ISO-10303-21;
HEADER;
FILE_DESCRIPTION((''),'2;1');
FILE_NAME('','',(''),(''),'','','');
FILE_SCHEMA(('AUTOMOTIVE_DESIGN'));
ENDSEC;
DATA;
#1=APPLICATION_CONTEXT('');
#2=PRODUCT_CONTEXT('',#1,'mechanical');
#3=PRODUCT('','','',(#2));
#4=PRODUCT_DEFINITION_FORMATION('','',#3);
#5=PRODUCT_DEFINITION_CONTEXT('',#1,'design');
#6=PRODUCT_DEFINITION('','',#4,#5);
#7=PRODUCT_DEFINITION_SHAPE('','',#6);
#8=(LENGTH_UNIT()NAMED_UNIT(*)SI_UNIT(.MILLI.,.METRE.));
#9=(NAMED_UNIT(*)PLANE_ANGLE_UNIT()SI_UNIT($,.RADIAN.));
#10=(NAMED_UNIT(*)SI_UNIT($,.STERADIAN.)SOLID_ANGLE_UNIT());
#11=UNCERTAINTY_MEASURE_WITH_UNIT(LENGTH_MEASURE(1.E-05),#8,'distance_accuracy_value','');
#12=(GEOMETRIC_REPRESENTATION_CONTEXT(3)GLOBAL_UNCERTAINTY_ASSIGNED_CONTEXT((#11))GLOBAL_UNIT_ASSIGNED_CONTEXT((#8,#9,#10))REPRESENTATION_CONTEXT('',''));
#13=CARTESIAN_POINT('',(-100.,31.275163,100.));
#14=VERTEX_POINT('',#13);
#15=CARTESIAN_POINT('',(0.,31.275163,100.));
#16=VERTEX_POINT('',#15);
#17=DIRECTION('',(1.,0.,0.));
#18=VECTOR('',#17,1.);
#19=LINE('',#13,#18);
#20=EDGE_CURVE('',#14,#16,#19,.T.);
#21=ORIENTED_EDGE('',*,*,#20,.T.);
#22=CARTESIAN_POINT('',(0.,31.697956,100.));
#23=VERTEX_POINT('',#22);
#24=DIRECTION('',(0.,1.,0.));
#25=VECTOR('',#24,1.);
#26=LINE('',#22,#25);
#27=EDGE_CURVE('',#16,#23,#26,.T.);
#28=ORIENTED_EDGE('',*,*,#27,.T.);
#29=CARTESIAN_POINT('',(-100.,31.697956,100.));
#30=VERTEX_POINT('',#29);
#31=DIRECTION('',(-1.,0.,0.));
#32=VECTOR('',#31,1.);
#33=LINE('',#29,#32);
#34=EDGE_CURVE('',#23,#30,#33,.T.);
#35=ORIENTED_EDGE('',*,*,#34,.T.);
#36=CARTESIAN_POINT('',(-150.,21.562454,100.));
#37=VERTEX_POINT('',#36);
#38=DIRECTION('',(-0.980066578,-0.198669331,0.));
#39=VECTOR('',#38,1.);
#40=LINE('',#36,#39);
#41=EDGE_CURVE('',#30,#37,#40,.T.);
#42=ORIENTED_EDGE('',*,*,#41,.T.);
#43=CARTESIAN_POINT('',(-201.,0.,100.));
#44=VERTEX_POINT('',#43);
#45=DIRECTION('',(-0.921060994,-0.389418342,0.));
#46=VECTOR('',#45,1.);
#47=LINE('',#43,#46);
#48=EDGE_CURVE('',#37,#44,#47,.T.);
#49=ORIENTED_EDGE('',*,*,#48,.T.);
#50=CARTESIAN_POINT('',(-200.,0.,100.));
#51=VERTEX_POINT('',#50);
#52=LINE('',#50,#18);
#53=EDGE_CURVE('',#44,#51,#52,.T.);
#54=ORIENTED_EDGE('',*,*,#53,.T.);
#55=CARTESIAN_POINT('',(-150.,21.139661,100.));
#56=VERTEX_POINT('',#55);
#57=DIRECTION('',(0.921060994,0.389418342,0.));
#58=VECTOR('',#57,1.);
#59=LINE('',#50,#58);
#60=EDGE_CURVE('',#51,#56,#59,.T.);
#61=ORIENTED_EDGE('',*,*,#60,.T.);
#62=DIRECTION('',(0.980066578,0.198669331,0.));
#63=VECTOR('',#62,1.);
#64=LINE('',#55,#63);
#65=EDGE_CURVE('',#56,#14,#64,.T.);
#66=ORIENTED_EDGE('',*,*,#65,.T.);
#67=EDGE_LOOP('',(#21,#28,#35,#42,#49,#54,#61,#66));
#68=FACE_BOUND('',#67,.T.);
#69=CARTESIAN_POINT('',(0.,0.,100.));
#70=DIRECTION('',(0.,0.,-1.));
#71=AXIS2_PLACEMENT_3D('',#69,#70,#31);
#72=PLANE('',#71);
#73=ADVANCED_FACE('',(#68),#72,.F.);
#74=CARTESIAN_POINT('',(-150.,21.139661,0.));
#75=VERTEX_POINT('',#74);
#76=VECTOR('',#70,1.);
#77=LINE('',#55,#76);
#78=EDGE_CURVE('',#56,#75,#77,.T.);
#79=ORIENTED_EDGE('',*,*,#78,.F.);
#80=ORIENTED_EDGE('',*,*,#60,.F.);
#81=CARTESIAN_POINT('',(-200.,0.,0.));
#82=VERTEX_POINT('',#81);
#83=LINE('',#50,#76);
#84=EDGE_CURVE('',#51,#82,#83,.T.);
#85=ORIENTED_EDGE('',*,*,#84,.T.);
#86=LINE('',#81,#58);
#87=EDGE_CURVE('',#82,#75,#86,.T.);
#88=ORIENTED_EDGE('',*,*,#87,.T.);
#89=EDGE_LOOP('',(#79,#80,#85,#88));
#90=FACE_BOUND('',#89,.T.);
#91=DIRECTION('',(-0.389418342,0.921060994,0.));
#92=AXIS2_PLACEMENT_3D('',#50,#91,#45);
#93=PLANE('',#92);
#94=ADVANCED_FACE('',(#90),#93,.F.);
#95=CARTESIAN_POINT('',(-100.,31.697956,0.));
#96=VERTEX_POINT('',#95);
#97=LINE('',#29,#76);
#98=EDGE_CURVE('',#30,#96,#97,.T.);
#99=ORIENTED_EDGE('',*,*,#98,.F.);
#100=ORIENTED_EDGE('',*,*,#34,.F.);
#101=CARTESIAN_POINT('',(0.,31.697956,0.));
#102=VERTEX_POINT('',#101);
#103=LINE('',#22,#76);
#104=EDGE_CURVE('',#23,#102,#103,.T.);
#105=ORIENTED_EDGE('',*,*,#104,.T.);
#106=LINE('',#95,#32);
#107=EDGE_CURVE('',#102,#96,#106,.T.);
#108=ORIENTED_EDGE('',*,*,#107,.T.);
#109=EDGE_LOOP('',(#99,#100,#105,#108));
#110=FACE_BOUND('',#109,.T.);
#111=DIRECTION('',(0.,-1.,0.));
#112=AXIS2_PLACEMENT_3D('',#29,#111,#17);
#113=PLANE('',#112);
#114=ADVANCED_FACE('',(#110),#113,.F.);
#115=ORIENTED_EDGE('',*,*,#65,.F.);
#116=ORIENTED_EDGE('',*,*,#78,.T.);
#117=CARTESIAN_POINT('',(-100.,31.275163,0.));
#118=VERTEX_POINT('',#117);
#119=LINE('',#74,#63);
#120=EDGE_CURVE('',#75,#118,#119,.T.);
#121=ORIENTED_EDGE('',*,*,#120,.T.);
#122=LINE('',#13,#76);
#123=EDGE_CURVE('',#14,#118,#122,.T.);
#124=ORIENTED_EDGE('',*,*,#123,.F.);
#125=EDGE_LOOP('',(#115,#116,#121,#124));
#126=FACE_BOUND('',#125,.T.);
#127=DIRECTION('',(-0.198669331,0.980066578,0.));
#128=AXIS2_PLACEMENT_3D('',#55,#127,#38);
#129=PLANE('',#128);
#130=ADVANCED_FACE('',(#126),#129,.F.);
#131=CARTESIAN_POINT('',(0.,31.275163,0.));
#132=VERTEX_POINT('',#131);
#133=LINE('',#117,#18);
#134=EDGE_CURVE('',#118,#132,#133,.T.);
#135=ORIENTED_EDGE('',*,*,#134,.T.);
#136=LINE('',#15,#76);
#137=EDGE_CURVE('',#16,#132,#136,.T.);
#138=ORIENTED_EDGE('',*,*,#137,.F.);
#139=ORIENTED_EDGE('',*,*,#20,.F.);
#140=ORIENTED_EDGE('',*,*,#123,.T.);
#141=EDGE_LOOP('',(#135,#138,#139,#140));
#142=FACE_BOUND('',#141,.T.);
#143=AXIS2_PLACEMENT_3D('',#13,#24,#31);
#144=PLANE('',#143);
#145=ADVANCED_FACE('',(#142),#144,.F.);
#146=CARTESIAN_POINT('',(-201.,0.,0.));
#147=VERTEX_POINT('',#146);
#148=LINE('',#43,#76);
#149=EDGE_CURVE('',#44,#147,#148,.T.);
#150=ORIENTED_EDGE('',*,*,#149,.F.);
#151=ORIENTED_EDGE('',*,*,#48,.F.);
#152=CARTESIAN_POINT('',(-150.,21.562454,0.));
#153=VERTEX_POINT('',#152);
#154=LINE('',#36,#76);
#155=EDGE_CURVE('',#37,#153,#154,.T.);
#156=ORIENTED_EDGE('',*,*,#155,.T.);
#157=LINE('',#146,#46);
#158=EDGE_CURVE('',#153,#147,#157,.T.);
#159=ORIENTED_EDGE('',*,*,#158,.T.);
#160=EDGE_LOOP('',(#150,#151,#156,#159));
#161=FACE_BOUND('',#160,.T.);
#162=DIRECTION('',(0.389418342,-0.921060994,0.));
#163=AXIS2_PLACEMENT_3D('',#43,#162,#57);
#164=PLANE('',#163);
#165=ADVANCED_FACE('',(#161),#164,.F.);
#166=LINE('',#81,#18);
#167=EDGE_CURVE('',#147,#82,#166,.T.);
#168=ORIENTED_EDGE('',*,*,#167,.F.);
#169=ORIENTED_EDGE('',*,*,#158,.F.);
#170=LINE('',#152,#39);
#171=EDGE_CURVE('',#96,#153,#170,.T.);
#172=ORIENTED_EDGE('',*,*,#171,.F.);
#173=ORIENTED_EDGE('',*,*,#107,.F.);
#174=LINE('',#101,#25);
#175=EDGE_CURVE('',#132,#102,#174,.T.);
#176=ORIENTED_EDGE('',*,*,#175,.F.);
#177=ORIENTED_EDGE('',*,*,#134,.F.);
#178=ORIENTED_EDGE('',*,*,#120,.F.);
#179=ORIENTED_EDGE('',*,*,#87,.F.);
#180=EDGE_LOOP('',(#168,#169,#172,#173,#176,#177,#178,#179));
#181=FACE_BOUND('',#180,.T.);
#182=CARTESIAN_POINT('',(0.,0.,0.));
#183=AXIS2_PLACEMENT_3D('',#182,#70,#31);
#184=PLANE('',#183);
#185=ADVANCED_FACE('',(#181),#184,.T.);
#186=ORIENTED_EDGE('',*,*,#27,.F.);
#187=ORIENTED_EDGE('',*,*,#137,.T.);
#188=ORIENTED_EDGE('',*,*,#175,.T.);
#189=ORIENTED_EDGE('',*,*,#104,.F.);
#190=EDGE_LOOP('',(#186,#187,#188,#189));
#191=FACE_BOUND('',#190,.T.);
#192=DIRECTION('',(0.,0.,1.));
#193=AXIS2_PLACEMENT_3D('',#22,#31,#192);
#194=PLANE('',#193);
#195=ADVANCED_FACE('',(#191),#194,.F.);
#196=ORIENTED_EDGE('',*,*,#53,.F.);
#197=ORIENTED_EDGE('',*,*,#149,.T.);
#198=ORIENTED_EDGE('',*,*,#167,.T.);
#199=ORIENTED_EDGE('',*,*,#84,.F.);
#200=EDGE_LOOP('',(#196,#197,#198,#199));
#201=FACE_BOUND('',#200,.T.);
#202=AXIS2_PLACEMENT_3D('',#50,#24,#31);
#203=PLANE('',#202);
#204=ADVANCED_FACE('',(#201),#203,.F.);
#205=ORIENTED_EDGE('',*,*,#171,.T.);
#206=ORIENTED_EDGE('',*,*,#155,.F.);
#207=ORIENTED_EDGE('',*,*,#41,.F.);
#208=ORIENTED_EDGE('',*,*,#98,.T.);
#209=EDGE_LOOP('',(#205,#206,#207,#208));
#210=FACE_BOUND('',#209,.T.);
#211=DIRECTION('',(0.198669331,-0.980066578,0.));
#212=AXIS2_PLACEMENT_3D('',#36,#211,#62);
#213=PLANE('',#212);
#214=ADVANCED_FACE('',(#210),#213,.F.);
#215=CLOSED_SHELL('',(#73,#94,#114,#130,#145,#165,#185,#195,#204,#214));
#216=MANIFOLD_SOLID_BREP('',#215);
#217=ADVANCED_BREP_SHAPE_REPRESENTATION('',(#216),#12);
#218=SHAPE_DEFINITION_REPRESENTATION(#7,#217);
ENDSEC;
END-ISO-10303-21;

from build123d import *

# Parameters (mm, degrees)
EXTRUDE_1_DEPTH = 100


with BuildPart() as part:
    # 草图1 → 凸台-拉伸1 (new body)
    with BuildSketch(Plane.XY):
        Polygon((-200, 0), (-150, 21.139660937), (-100, 31.275162712), (0, 31.275162712), (0, 31.697955931), (-100, 31.697955931), (-150, 21.562454156), (-201, 0), align=None)
    extrude(amount=EXTRUDE_1_DEPTH)


solid = part.part
